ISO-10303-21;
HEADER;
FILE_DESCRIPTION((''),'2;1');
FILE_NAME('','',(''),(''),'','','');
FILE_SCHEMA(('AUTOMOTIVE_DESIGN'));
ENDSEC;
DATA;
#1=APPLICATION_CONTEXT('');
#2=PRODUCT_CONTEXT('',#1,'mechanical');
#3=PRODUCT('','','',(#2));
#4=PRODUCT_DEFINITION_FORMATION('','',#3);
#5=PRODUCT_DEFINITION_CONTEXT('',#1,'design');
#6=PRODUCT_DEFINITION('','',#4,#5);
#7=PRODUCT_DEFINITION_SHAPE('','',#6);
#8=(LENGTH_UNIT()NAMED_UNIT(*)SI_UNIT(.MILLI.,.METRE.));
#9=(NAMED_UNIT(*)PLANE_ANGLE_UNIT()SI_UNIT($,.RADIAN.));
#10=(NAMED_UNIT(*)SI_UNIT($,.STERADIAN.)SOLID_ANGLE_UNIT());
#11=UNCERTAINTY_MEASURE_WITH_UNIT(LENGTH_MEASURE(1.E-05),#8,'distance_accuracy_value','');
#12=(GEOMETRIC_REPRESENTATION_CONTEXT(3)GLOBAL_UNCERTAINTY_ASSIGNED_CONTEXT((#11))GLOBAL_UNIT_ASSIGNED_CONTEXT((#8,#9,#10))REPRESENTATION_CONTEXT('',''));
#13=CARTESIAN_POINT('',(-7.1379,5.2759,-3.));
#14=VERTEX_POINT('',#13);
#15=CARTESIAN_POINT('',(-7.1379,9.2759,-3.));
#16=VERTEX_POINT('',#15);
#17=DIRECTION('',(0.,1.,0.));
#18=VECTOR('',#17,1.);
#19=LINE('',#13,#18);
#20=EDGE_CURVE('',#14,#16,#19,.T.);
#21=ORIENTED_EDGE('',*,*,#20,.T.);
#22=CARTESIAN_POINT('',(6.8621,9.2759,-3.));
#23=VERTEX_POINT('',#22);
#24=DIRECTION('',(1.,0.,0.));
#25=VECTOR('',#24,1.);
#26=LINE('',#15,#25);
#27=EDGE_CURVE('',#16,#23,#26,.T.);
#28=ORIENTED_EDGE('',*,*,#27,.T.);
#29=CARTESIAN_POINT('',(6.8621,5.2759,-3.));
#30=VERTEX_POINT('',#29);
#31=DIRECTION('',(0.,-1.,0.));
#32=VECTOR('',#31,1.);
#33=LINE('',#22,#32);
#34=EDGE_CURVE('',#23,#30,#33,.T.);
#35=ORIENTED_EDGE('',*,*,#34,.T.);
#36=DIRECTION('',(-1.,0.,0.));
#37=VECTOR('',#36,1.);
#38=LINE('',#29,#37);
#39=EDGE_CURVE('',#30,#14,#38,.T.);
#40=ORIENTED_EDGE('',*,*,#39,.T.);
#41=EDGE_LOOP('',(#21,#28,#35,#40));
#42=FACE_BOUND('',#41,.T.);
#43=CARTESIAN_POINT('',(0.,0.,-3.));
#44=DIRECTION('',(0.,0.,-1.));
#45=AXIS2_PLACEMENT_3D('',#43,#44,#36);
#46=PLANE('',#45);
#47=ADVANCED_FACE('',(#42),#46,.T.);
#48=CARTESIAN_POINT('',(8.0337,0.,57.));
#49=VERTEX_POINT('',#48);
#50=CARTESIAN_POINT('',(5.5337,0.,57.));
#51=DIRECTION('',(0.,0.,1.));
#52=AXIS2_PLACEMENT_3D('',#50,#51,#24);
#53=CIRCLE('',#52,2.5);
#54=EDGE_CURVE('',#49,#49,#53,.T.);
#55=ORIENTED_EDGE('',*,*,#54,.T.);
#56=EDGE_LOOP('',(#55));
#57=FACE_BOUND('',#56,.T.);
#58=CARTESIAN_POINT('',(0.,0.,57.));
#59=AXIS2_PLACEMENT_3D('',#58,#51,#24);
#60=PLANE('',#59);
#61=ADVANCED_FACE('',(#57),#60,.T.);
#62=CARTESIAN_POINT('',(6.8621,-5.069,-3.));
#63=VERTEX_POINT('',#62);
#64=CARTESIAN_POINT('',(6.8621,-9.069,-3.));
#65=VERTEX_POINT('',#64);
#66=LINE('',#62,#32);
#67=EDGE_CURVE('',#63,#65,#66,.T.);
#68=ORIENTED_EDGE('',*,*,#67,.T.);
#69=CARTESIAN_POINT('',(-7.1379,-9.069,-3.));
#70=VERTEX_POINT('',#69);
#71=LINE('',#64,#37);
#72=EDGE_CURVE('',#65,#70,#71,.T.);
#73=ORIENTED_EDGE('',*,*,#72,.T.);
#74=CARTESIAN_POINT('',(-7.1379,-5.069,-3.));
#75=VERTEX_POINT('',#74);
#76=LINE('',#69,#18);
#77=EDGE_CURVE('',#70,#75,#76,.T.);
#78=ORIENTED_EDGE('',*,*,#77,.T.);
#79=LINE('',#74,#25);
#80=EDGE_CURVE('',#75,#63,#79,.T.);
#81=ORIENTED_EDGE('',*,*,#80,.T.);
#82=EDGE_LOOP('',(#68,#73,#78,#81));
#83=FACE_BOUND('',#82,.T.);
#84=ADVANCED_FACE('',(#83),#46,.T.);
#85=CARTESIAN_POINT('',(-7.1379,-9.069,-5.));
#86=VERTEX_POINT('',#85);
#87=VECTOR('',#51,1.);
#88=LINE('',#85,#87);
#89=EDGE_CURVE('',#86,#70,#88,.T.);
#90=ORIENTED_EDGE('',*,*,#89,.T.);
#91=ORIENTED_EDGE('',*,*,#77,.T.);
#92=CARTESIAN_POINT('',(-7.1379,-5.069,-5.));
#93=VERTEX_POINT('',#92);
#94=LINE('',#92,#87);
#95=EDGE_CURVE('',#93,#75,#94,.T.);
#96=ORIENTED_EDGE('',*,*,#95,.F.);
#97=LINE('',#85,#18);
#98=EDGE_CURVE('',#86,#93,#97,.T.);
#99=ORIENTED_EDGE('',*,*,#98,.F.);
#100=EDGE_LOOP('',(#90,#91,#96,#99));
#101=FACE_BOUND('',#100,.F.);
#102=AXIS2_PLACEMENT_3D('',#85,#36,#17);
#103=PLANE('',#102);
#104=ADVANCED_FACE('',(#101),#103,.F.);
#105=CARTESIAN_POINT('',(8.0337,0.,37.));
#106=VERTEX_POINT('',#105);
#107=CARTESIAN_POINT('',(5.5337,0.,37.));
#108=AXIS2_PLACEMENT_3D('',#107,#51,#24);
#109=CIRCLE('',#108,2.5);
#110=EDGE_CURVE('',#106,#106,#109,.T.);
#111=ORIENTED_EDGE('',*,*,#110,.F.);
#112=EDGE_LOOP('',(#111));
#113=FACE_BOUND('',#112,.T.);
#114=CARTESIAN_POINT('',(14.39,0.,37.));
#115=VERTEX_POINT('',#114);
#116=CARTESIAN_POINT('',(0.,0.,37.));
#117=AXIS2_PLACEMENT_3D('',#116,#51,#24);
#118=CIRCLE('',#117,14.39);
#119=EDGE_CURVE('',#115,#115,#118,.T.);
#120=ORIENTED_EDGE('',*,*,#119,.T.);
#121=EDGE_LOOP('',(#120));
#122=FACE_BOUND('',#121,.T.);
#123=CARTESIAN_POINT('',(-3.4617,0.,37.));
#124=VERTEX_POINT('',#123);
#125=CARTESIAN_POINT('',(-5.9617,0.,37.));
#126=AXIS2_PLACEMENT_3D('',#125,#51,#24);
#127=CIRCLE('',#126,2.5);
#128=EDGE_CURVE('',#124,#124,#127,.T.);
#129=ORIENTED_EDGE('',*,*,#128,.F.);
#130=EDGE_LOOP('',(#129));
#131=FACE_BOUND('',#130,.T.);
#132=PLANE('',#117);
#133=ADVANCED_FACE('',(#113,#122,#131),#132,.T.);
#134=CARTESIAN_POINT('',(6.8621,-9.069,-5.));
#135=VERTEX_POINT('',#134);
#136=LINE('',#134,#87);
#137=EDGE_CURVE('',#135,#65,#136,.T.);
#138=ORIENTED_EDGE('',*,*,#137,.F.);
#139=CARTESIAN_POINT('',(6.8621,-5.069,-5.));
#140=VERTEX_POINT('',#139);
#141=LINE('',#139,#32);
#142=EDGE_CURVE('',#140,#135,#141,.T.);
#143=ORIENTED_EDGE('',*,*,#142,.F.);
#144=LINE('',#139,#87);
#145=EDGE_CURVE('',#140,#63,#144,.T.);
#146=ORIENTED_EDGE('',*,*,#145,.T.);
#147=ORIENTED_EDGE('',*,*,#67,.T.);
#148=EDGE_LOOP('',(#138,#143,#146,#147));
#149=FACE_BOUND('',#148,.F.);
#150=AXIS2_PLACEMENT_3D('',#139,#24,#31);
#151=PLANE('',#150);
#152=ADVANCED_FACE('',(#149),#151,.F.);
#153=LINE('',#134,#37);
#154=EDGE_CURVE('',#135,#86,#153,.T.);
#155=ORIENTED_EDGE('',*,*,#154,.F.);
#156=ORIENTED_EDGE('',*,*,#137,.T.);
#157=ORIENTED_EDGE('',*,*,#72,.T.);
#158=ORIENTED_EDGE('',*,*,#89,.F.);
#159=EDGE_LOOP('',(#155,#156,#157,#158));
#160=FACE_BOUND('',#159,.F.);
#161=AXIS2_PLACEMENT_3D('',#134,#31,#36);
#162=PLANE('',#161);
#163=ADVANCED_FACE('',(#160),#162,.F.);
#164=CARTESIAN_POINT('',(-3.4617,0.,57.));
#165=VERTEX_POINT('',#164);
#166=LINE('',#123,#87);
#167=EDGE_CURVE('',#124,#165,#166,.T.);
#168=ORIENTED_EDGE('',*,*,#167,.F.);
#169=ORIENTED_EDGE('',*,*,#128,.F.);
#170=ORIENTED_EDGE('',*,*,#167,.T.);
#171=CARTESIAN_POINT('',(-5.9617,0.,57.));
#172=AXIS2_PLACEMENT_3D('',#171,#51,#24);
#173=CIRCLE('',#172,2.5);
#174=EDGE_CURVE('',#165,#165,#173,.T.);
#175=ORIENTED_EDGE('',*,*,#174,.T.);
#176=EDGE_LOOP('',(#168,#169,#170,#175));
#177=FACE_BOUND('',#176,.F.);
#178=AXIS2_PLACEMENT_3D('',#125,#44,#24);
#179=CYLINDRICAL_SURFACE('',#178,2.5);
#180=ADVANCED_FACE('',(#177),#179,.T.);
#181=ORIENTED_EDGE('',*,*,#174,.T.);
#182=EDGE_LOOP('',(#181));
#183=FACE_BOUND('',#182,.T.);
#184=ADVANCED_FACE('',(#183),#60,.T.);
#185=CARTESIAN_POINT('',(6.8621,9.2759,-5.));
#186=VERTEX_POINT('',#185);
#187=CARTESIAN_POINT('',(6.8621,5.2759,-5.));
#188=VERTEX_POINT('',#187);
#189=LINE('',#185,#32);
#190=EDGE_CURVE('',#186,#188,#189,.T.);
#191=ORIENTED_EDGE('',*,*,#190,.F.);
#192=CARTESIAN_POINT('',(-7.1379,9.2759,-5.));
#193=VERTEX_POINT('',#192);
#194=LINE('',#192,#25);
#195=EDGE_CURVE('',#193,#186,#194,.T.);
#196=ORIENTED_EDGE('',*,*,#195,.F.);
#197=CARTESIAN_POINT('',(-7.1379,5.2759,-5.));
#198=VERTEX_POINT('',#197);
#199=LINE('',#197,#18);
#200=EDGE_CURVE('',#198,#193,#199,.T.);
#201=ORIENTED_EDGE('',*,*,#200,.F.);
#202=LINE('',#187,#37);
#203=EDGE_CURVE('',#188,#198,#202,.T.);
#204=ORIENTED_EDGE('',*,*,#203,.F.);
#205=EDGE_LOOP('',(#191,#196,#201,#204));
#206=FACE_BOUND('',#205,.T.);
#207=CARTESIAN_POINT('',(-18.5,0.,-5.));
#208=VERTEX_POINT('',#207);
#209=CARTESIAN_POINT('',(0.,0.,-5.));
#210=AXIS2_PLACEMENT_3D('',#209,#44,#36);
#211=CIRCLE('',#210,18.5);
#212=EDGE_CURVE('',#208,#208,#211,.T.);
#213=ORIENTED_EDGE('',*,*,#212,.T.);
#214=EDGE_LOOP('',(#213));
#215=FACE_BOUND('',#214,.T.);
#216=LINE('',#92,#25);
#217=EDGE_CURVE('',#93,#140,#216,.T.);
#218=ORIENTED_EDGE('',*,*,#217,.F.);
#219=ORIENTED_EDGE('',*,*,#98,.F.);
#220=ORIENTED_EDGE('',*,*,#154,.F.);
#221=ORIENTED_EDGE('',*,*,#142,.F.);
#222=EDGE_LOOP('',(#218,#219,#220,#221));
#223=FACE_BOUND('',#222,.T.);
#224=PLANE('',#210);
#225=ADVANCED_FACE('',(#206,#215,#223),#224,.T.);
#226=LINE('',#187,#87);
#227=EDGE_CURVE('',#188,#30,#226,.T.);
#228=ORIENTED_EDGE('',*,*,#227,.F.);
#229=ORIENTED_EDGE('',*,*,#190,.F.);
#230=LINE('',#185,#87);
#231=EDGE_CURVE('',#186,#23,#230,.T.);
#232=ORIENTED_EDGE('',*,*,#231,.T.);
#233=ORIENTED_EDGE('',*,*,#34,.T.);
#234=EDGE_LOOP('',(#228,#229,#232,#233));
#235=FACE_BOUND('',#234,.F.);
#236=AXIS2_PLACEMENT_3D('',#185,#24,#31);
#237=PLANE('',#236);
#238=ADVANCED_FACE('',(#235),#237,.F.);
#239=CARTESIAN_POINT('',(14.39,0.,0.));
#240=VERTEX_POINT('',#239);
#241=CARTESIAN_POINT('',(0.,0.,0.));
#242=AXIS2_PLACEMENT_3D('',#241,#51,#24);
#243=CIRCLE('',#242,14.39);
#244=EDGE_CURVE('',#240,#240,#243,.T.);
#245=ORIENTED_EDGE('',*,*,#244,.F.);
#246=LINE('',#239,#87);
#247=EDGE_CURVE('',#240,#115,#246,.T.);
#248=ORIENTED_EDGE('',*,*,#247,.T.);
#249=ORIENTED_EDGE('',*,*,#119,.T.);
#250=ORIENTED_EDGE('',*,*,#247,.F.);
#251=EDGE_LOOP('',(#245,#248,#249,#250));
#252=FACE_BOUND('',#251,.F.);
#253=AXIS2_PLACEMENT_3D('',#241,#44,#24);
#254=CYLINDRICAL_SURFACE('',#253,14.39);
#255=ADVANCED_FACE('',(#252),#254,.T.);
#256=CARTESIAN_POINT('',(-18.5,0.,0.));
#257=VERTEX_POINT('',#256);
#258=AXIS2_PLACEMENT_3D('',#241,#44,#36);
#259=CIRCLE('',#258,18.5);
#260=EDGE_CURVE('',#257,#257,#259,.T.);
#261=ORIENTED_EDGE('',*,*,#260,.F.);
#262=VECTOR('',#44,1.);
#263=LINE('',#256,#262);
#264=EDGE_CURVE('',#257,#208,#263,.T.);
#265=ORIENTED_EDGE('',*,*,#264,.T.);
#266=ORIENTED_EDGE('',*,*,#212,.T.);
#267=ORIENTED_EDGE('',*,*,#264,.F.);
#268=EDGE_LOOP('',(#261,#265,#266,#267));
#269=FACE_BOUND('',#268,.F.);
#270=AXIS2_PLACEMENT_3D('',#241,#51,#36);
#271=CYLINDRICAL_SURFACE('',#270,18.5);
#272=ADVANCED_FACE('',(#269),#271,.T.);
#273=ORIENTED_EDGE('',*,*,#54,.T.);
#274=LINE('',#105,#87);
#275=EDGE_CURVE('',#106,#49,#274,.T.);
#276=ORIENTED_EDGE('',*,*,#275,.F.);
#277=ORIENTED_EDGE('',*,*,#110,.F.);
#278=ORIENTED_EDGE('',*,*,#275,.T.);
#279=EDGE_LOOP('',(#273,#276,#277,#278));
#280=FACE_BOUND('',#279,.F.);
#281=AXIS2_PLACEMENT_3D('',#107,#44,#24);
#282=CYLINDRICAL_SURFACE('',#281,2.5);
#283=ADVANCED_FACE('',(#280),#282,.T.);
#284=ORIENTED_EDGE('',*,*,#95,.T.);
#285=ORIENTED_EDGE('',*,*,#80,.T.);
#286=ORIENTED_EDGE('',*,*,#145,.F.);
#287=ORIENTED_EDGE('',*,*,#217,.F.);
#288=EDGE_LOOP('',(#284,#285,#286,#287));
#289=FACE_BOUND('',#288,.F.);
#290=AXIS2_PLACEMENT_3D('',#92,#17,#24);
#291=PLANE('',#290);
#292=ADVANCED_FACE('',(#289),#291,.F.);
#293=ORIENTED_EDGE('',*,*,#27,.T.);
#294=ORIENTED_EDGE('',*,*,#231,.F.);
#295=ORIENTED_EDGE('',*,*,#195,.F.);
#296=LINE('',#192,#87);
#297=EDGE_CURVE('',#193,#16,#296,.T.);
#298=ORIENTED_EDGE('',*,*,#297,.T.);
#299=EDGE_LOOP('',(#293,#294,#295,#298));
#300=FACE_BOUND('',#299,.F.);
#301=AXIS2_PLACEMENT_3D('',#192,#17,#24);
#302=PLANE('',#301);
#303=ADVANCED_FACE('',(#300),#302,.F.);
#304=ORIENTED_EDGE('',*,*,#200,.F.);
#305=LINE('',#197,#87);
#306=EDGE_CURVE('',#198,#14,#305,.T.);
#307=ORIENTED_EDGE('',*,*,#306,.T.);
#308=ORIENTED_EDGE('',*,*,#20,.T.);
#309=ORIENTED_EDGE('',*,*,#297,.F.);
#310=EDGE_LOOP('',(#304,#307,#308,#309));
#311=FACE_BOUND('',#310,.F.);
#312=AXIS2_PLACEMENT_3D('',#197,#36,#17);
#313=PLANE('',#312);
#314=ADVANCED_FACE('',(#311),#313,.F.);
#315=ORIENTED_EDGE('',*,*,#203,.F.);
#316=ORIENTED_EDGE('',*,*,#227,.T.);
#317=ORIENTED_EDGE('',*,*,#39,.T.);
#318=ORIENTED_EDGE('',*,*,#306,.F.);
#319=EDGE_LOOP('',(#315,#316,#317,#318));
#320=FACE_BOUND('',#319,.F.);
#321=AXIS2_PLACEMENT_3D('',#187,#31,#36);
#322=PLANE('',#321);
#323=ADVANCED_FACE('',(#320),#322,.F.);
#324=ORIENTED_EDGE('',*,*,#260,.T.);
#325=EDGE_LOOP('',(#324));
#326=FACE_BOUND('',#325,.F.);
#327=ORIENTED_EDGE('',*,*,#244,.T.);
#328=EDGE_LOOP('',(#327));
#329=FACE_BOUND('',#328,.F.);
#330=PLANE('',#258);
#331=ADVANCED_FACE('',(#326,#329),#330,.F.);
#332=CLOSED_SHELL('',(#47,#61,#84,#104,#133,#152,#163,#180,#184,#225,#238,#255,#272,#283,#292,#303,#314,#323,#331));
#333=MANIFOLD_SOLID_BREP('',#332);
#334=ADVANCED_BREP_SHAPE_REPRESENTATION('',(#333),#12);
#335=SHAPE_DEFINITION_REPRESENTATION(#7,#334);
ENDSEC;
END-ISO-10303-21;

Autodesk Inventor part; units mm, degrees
ref_plane "YZ Plane" through (0, 0, 0) normal (1, 0, 0) x (0, 1, 0)
ref_plane "XZ Plane" through (0, 0, 0) normal (0, 1, 0) x (-1, 0, 0)
ref_plane "XY Plane" through (0, 0, 0) normal (0, 0, 1) x (1, 0, 0)
sketch "Sketch1" plane through (0, 0, 0) normal (0, 0, 1) x (1, 0, 0)
  circle A0 centre (0, 0) radius 14.39
  dimension "d0" = 28.78
extrude "Extrusion1" add sketch "Sketch1" along normal blind 37
sketch "Sketch2" plane through (0, 0, 37) normal (0, 0, 1) x (1, 0, 0)
  circle A0 centre (-5.9617, 0) radius 2.5
  circle A1 centre (5.5337, 0) radius 2.5
  point P0 (0, 0)
  dimension "d3" = 5
  dimension "d4" = 5
extrude "Extrusion2" add sketch "Sketch2" along normal blind 20
sketch "Sketch3" plane through (0, 0, 0) normal (0, 0, -1) x (-1, 0, 0)
  circle A0 centre (0, 0) radius 18.5
  dimension "d7" = 37
extrude "Extrusion3" add sketch "Sketch3" along normal blind 5
sketch "Sketch4" plane through (0, 0, -5) normal (0, 0, -1) x (-1, 0, 0)
  line L0 (-6.8621, 5.2759) -> (7.1379, 5.2759)
  line L1 (7.1379, 5.2759) -> (7.1379, 9.2759)
  line L2 (7.1379, 9.2759) -> (-6.8621, 9.2759)
  line L3 (-6.8621, 9.2759) -> (-6.8621, 5.2759)
  line L4 (-6.8621, 5.2759) -> (7.1379, 9.2759) construction
  line L5 (7.1379, 5.2759) -> (-6.8621, 9.2759) construction
  line L6 (-6.8621, -9.069) -> (7.1379, -9.069)
  line L7 (7.1379, -9.069) -> (7.1379, -5.069)
  line L8 (7.1379, -5.069) -> (-6.8621, -5.069)
  line L9 (-6.8621, -5.069) -> (-6.8621, -9.069)
  line L10 (-6.8621, -9.069) -> (7.1379, -5.069) construction
  line L11 (7.1379, -9.069) -> (-6.8621, -5.069) construction
  point P0 (0, 0)
  point P1 (0.1379, 7.2759)
  point P2 (0.1379, -7.069)
  dimension "d10" = 4
  dimension "d11" = 14
  dimension "d12" = 14
  dimension "d13" = 4
extrude "Extrusion4" cut sketch "Sketch4" against normal blind 2
thread "Thread1" size "M30x3.5" class "6g" standard "ANSI Metric M Profile" full length
equation "\"d12\" = d11"
equation "\"d13\" = d10"
properties part number "USB plug"
